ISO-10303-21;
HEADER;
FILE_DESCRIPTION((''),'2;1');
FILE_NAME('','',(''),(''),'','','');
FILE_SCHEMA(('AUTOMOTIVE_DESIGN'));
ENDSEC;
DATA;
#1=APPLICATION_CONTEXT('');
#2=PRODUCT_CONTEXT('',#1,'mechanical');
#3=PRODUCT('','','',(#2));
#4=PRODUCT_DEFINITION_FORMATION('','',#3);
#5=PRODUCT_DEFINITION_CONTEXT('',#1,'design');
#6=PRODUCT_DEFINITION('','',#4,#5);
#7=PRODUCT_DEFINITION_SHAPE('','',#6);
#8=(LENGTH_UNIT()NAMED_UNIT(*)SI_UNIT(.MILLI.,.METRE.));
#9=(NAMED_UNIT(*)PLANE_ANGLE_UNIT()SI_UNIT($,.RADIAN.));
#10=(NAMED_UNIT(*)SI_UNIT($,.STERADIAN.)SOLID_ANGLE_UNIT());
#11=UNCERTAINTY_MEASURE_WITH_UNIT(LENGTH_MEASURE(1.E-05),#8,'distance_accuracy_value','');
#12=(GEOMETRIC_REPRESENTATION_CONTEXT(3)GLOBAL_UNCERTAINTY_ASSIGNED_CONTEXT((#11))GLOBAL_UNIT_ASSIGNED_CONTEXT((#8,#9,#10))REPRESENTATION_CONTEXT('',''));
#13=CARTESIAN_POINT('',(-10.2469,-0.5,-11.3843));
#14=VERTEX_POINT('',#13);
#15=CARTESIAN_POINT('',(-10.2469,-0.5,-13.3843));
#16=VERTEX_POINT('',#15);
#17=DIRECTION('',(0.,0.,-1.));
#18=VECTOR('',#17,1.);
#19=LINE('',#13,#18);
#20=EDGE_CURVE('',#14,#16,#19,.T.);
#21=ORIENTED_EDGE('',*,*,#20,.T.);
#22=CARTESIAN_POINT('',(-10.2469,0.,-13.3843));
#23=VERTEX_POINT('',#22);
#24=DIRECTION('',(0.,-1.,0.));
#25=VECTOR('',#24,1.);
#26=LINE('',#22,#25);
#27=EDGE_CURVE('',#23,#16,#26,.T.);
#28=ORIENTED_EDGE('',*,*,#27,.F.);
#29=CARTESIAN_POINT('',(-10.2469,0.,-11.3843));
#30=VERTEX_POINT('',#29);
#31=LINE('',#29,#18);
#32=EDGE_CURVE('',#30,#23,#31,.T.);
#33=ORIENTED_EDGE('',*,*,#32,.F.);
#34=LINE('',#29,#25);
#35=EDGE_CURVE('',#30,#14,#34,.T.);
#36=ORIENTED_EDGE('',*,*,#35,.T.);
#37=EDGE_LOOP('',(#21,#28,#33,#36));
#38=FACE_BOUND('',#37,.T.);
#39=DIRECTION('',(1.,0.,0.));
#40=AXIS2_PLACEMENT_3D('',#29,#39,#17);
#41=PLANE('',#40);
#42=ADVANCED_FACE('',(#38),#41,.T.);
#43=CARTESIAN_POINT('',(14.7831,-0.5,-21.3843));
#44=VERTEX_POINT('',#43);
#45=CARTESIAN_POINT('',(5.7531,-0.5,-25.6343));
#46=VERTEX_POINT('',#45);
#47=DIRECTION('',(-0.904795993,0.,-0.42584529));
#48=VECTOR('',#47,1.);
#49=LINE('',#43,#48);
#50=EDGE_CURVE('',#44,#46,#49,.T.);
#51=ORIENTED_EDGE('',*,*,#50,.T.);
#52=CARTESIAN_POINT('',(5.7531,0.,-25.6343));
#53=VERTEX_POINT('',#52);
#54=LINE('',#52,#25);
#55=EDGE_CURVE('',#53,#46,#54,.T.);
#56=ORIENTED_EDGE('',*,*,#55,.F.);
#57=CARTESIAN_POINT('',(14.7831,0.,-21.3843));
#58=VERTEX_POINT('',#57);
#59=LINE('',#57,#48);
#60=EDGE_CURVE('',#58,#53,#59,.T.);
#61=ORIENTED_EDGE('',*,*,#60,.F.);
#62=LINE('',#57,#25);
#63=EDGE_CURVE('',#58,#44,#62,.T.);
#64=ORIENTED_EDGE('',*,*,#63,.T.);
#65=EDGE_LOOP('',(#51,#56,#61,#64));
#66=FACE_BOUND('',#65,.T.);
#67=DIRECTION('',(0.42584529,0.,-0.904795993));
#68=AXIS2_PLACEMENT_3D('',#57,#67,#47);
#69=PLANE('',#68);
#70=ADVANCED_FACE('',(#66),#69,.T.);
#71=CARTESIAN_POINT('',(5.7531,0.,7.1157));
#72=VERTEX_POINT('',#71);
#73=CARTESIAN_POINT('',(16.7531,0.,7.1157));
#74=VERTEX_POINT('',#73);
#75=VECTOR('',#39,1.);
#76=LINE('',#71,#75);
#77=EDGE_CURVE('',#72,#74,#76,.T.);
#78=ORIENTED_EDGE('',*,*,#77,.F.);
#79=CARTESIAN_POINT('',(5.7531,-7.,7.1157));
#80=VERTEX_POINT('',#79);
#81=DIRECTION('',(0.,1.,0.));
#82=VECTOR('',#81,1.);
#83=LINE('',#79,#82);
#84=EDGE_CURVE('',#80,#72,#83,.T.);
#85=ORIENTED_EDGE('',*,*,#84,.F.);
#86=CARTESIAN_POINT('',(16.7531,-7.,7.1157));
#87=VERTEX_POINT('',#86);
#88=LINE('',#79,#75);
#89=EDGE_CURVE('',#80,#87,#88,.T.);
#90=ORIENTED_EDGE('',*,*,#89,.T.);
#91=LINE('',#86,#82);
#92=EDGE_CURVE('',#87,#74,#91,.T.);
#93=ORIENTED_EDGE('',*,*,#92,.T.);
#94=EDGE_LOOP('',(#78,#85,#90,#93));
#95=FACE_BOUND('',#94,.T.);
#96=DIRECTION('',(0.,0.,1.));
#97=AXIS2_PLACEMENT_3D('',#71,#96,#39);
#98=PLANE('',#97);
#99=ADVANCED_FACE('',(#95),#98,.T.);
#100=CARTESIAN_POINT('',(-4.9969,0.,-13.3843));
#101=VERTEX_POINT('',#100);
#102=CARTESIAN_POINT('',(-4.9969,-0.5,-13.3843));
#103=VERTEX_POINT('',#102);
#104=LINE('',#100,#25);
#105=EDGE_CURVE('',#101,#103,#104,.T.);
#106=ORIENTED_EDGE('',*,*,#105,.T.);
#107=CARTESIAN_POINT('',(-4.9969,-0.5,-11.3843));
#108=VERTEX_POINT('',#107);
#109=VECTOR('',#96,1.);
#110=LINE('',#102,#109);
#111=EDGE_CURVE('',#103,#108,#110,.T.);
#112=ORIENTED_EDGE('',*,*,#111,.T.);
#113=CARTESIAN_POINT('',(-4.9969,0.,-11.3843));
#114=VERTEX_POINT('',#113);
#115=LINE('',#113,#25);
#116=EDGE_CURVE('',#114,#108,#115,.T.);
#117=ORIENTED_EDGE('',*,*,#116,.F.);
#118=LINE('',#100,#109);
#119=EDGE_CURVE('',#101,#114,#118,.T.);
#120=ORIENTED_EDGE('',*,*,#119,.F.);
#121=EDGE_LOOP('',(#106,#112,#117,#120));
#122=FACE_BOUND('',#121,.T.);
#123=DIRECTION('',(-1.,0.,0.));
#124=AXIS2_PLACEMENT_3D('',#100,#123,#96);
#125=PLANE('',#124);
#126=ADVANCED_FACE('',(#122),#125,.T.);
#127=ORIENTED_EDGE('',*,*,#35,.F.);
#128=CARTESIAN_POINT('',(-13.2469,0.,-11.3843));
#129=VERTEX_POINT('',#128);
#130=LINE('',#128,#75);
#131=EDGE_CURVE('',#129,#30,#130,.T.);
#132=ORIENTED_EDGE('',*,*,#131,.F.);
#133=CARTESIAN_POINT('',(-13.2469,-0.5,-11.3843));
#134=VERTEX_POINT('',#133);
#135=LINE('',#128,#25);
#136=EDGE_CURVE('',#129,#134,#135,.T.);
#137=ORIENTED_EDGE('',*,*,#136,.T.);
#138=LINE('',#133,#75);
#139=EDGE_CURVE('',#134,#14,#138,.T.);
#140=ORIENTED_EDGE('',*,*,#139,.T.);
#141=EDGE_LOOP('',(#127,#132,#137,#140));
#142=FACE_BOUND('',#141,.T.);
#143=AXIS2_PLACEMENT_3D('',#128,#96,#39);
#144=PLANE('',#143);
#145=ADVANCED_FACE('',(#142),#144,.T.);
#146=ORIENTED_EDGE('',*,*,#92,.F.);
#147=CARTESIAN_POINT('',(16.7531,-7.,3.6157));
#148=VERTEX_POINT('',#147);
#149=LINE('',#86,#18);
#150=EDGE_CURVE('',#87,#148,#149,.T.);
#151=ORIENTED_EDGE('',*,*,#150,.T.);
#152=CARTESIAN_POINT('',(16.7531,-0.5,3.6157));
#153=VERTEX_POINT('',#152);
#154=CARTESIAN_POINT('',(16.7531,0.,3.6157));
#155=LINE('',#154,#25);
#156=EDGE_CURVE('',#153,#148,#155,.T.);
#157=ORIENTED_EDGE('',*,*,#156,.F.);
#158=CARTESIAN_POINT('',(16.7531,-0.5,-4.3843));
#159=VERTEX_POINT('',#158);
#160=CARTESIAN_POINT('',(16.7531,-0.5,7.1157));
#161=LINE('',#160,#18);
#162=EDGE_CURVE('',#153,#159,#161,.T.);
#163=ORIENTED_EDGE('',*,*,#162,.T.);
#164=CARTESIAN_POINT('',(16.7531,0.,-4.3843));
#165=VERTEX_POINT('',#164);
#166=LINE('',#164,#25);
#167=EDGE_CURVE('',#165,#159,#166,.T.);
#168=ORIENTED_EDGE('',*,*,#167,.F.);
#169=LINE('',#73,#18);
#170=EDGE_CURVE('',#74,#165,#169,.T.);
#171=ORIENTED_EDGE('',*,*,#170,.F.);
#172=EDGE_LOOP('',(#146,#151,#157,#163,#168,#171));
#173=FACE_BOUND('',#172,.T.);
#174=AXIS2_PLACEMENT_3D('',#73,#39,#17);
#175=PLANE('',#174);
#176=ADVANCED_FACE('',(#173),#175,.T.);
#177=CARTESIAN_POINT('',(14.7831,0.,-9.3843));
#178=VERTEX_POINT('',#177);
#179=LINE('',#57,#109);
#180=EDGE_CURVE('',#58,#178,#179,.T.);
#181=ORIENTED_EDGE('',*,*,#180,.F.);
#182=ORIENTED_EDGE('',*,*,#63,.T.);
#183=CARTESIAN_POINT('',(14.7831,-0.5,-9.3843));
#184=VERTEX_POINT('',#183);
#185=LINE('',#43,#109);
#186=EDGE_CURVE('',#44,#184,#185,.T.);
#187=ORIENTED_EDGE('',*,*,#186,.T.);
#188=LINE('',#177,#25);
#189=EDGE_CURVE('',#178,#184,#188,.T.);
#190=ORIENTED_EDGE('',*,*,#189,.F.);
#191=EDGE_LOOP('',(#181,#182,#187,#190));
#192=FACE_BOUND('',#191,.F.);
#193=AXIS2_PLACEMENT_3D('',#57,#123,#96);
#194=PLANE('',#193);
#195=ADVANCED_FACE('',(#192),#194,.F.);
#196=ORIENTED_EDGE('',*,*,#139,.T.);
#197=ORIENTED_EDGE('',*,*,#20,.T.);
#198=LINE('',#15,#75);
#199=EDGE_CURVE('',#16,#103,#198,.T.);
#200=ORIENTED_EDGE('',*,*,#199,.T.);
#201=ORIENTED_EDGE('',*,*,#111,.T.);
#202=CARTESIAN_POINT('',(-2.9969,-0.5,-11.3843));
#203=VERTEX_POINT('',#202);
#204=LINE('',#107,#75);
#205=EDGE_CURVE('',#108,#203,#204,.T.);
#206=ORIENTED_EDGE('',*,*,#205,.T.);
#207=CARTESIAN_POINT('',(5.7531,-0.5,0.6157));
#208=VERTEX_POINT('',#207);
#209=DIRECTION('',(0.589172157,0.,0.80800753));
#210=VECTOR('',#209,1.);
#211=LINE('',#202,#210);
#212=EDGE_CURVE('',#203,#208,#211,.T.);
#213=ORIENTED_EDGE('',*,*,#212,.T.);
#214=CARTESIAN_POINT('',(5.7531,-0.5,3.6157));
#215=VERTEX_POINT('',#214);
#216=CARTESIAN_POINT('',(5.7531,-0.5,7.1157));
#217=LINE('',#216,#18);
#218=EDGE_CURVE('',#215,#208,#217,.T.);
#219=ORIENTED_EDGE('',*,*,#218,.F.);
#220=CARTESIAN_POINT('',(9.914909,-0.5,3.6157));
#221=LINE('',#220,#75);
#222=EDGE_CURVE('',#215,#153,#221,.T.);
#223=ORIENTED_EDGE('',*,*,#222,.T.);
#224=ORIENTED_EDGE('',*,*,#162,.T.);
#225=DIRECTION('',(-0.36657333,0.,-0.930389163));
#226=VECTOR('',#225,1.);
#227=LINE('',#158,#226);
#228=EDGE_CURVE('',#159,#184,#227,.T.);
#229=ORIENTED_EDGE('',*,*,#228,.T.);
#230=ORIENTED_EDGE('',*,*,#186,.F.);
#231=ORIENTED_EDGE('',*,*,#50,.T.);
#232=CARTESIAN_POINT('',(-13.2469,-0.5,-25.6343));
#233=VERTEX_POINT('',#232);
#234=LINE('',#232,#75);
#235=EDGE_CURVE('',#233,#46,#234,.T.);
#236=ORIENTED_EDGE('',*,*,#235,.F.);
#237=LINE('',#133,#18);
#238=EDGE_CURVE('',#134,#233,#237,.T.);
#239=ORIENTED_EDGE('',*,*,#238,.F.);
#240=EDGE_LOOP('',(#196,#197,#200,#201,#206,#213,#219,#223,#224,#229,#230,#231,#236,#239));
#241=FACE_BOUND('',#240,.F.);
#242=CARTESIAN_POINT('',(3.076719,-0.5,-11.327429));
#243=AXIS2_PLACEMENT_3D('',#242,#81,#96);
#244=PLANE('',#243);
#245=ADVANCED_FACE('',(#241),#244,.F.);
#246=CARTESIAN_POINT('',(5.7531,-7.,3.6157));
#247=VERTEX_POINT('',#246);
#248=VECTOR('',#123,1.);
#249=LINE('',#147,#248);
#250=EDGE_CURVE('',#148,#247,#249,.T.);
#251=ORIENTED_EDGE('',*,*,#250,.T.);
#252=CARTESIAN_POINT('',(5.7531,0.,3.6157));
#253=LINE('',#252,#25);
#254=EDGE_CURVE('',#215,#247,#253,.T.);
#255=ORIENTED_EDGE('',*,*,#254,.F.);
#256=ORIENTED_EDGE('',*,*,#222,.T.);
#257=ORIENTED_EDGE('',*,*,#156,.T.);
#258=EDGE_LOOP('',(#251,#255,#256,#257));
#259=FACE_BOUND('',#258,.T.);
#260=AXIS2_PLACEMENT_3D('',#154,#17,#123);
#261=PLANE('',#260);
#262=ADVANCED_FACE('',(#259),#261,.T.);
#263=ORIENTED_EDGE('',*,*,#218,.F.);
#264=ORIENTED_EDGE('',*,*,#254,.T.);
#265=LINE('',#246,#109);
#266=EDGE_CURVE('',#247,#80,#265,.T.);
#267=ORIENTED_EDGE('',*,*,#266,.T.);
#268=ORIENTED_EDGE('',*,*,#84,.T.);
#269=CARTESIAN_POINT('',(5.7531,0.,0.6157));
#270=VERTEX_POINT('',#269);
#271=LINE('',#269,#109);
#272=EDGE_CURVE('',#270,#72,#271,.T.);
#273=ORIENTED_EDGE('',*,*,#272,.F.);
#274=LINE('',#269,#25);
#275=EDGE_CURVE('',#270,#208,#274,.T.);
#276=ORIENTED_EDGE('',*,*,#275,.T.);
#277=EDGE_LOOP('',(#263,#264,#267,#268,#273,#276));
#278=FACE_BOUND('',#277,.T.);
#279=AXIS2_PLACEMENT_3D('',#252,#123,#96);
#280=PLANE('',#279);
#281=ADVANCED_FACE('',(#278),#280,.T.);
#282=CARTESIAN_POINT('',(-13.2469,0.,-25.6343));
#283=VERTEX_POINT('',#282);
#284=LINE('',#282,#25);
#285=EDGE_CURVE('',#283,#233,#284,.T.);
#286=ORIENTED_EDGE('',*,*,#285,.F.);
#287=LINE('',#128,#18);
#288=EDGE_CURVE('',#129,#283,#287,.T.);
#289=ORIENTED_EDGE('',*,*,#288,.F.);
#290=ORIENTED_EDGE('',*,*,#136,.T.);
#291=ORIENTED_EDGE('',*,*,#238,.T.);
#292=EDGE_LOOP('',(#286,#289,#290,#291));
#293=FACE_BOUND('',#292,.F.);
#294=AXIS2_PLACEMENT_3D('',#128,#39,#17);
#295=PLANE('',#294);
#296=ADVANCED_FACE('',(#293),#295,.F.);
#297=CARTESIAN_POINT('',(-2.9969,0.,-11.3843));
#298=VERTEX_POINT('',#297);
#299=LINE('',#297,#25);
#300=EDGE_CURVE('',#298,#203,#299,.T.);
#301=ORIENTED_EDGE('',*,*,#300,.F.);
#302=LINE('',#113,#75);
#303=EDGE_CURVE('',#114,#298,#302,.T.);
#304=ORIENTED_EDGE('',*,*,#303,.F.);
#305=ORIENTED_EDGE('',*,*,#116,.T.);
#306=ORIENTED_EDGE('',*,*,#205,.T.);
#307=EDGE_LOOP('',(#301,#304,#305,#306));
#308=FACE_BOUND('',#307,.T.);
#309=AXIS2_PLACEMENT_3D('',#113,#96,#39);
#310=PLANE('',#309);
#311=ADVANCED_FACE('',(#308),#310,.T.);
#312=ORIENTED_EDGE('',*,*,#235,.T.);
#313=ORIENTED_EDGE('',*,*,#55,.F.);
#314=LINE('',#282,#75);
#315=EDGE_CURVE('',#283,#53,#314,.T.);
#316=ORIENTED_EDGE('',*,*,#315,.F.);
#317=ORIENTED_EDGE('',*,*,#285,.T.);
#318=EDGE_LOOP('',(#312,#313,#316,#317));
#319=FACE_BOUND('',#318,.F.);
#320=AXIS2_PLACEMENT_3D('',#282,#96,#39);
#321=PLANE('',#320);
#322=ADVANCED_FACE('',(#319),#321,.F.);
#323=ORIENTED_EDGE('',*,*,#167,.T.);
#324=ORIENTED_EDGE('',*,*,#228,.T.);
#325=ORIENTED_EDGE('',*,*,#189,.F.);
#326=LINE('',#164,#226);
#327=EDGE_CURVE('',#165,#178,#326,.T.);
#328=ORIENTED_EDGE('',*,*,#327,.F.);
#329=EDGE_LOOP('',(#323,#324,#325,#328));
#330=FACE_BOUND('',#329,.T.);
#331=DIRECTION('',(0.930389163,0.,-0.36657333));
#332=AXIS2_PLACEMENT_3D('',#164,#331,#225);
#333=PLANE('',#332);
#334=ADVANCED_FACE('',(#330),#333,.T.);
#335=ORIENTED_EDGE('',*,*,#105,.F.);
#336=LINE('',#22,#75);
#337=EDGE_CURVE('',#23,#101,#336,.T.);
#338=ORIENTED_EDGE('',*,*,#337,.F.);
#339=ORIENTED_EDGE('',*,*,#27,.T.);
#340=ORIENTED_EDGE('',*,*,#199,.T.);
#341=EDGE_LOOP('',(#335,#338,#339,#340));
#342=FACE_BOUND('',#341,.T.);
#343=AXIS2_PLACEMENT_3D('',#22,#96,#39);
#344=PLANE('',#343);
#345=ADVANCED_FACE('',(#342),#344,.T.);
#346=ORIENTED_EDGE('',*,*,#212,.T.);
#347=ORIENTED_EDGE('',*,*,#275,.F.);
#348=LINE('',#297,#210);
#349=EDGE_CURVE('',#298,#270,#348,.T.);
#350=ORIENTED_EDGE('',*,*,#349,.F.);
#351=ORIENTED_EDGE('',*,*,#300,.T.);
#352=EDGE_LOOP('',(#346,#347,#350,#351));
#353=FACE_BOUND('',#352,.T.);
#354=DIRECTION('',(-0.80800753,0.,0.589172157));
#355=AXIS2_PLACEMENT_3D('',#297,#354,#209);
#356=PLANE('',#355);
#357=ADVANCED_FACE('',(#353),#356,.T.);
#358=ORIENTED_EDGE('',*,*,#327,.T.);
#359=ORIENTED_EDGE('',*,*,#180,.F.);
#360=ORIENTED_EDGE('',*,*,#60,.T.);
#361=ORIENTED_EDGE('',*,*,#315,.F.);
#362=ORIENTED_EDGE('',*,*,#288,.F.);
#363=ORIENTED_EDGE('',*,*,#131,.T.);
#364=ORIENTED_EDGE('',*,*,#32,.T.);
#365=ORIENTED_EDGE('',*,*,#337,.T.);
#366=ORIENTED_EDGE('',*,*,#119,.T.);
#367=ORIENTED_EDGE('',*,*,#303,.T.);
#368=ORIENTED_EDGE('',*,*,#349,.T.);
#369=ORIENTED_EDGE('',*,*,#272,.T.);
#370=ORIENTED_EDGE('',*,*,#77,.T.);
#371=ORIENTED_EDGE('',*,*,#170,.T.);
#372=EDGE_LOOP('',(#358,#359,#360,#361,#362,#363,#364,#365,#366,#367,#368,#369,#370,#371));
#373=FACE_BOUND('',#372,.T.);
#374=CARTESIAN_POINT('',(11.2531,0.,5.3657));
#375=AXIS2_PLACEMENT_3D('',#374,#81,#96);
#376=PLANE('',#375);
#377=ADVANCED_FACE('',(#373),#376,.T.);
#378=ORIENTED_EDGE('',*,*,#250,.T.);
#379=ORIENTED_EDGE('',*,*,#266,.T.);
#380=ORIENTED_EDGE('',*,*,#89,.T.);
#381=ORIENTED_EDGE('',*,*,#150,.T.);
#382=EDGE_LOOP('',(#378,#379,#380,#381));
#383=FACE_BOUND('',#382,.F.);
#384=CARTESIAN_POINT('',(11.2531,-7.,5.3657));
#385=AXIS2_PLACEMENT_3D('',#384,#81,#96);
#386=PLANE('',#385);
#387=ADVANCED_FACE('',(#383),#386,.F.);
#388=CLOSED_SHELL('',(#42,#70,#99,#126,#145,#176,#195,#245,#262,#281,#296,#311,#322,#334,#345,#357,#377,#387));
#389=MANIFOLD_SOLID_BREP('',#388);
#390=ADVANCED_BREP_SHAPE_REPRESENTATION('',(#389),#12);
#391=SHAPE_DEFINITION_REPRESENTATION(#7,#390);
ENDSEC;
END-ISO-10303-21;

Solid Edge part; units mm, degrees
sketch "Sketch1" plane through (25.2531, 0, -2.2593) normal (0, -1, 0) x (1, 0, 0)
  line L0 (-8.5, 5.875) -> (-19.5, 5.875)
  line L1 (-8.5, 9.375) -> (-8.5, 5.875)
  line L2 (-19.5, 9.375) -> (-8.5, 9.375)
  line L3 (-19.5, 5.875) -> (-19.5, 9.375)
extrude "Protrusion1" add sketch "Sketch1" along normal blind 7
sketch "Sketch2" plane through (11.2531, 0, 5.3657) normal (0, 1, 0) x (-1, 0, 0)
  line L0 (-5.5, -9.75) -> (-3.53, -14.75)
  line L1 (-3.53, -26.75) -> (-3.53, -14.75)
  line L2 (-3.53, -26.75) -> (5.5, -31)
  line L3 (24.5, -31) -> (5.5, -31)
  line L4 (24.5, -16.75) -> (24.5, -31)
  line L5 (24.5, -16.75) -> (21.5, -16.75)
  line L6 (21.5, -16.75) -> (21.5, -18.75)
  line L7 (21.5, -18.75) -> (16.25, -18.75)
  line L8 (16.25, -18.75) -> (16.25, -16.75)
  line L9 (16.25, -16.75) -> (14.25, -16.75)
  line L10 (14.25, -16.75) -> (5.5, -4.75)
  line L11 (5.5, 1.75) -> (5.5, -4.75)
  line L12 (5.5, 1.75) -> (-5.5, 1.75)
  line L13 (-5.5, 1.75) -> (-5.5, -9.75)
extrude "ExtrudedProtrusion_2" add sketch "Sketch2" against normal blind 0.5
properties material "Stainless Steel, 420"
